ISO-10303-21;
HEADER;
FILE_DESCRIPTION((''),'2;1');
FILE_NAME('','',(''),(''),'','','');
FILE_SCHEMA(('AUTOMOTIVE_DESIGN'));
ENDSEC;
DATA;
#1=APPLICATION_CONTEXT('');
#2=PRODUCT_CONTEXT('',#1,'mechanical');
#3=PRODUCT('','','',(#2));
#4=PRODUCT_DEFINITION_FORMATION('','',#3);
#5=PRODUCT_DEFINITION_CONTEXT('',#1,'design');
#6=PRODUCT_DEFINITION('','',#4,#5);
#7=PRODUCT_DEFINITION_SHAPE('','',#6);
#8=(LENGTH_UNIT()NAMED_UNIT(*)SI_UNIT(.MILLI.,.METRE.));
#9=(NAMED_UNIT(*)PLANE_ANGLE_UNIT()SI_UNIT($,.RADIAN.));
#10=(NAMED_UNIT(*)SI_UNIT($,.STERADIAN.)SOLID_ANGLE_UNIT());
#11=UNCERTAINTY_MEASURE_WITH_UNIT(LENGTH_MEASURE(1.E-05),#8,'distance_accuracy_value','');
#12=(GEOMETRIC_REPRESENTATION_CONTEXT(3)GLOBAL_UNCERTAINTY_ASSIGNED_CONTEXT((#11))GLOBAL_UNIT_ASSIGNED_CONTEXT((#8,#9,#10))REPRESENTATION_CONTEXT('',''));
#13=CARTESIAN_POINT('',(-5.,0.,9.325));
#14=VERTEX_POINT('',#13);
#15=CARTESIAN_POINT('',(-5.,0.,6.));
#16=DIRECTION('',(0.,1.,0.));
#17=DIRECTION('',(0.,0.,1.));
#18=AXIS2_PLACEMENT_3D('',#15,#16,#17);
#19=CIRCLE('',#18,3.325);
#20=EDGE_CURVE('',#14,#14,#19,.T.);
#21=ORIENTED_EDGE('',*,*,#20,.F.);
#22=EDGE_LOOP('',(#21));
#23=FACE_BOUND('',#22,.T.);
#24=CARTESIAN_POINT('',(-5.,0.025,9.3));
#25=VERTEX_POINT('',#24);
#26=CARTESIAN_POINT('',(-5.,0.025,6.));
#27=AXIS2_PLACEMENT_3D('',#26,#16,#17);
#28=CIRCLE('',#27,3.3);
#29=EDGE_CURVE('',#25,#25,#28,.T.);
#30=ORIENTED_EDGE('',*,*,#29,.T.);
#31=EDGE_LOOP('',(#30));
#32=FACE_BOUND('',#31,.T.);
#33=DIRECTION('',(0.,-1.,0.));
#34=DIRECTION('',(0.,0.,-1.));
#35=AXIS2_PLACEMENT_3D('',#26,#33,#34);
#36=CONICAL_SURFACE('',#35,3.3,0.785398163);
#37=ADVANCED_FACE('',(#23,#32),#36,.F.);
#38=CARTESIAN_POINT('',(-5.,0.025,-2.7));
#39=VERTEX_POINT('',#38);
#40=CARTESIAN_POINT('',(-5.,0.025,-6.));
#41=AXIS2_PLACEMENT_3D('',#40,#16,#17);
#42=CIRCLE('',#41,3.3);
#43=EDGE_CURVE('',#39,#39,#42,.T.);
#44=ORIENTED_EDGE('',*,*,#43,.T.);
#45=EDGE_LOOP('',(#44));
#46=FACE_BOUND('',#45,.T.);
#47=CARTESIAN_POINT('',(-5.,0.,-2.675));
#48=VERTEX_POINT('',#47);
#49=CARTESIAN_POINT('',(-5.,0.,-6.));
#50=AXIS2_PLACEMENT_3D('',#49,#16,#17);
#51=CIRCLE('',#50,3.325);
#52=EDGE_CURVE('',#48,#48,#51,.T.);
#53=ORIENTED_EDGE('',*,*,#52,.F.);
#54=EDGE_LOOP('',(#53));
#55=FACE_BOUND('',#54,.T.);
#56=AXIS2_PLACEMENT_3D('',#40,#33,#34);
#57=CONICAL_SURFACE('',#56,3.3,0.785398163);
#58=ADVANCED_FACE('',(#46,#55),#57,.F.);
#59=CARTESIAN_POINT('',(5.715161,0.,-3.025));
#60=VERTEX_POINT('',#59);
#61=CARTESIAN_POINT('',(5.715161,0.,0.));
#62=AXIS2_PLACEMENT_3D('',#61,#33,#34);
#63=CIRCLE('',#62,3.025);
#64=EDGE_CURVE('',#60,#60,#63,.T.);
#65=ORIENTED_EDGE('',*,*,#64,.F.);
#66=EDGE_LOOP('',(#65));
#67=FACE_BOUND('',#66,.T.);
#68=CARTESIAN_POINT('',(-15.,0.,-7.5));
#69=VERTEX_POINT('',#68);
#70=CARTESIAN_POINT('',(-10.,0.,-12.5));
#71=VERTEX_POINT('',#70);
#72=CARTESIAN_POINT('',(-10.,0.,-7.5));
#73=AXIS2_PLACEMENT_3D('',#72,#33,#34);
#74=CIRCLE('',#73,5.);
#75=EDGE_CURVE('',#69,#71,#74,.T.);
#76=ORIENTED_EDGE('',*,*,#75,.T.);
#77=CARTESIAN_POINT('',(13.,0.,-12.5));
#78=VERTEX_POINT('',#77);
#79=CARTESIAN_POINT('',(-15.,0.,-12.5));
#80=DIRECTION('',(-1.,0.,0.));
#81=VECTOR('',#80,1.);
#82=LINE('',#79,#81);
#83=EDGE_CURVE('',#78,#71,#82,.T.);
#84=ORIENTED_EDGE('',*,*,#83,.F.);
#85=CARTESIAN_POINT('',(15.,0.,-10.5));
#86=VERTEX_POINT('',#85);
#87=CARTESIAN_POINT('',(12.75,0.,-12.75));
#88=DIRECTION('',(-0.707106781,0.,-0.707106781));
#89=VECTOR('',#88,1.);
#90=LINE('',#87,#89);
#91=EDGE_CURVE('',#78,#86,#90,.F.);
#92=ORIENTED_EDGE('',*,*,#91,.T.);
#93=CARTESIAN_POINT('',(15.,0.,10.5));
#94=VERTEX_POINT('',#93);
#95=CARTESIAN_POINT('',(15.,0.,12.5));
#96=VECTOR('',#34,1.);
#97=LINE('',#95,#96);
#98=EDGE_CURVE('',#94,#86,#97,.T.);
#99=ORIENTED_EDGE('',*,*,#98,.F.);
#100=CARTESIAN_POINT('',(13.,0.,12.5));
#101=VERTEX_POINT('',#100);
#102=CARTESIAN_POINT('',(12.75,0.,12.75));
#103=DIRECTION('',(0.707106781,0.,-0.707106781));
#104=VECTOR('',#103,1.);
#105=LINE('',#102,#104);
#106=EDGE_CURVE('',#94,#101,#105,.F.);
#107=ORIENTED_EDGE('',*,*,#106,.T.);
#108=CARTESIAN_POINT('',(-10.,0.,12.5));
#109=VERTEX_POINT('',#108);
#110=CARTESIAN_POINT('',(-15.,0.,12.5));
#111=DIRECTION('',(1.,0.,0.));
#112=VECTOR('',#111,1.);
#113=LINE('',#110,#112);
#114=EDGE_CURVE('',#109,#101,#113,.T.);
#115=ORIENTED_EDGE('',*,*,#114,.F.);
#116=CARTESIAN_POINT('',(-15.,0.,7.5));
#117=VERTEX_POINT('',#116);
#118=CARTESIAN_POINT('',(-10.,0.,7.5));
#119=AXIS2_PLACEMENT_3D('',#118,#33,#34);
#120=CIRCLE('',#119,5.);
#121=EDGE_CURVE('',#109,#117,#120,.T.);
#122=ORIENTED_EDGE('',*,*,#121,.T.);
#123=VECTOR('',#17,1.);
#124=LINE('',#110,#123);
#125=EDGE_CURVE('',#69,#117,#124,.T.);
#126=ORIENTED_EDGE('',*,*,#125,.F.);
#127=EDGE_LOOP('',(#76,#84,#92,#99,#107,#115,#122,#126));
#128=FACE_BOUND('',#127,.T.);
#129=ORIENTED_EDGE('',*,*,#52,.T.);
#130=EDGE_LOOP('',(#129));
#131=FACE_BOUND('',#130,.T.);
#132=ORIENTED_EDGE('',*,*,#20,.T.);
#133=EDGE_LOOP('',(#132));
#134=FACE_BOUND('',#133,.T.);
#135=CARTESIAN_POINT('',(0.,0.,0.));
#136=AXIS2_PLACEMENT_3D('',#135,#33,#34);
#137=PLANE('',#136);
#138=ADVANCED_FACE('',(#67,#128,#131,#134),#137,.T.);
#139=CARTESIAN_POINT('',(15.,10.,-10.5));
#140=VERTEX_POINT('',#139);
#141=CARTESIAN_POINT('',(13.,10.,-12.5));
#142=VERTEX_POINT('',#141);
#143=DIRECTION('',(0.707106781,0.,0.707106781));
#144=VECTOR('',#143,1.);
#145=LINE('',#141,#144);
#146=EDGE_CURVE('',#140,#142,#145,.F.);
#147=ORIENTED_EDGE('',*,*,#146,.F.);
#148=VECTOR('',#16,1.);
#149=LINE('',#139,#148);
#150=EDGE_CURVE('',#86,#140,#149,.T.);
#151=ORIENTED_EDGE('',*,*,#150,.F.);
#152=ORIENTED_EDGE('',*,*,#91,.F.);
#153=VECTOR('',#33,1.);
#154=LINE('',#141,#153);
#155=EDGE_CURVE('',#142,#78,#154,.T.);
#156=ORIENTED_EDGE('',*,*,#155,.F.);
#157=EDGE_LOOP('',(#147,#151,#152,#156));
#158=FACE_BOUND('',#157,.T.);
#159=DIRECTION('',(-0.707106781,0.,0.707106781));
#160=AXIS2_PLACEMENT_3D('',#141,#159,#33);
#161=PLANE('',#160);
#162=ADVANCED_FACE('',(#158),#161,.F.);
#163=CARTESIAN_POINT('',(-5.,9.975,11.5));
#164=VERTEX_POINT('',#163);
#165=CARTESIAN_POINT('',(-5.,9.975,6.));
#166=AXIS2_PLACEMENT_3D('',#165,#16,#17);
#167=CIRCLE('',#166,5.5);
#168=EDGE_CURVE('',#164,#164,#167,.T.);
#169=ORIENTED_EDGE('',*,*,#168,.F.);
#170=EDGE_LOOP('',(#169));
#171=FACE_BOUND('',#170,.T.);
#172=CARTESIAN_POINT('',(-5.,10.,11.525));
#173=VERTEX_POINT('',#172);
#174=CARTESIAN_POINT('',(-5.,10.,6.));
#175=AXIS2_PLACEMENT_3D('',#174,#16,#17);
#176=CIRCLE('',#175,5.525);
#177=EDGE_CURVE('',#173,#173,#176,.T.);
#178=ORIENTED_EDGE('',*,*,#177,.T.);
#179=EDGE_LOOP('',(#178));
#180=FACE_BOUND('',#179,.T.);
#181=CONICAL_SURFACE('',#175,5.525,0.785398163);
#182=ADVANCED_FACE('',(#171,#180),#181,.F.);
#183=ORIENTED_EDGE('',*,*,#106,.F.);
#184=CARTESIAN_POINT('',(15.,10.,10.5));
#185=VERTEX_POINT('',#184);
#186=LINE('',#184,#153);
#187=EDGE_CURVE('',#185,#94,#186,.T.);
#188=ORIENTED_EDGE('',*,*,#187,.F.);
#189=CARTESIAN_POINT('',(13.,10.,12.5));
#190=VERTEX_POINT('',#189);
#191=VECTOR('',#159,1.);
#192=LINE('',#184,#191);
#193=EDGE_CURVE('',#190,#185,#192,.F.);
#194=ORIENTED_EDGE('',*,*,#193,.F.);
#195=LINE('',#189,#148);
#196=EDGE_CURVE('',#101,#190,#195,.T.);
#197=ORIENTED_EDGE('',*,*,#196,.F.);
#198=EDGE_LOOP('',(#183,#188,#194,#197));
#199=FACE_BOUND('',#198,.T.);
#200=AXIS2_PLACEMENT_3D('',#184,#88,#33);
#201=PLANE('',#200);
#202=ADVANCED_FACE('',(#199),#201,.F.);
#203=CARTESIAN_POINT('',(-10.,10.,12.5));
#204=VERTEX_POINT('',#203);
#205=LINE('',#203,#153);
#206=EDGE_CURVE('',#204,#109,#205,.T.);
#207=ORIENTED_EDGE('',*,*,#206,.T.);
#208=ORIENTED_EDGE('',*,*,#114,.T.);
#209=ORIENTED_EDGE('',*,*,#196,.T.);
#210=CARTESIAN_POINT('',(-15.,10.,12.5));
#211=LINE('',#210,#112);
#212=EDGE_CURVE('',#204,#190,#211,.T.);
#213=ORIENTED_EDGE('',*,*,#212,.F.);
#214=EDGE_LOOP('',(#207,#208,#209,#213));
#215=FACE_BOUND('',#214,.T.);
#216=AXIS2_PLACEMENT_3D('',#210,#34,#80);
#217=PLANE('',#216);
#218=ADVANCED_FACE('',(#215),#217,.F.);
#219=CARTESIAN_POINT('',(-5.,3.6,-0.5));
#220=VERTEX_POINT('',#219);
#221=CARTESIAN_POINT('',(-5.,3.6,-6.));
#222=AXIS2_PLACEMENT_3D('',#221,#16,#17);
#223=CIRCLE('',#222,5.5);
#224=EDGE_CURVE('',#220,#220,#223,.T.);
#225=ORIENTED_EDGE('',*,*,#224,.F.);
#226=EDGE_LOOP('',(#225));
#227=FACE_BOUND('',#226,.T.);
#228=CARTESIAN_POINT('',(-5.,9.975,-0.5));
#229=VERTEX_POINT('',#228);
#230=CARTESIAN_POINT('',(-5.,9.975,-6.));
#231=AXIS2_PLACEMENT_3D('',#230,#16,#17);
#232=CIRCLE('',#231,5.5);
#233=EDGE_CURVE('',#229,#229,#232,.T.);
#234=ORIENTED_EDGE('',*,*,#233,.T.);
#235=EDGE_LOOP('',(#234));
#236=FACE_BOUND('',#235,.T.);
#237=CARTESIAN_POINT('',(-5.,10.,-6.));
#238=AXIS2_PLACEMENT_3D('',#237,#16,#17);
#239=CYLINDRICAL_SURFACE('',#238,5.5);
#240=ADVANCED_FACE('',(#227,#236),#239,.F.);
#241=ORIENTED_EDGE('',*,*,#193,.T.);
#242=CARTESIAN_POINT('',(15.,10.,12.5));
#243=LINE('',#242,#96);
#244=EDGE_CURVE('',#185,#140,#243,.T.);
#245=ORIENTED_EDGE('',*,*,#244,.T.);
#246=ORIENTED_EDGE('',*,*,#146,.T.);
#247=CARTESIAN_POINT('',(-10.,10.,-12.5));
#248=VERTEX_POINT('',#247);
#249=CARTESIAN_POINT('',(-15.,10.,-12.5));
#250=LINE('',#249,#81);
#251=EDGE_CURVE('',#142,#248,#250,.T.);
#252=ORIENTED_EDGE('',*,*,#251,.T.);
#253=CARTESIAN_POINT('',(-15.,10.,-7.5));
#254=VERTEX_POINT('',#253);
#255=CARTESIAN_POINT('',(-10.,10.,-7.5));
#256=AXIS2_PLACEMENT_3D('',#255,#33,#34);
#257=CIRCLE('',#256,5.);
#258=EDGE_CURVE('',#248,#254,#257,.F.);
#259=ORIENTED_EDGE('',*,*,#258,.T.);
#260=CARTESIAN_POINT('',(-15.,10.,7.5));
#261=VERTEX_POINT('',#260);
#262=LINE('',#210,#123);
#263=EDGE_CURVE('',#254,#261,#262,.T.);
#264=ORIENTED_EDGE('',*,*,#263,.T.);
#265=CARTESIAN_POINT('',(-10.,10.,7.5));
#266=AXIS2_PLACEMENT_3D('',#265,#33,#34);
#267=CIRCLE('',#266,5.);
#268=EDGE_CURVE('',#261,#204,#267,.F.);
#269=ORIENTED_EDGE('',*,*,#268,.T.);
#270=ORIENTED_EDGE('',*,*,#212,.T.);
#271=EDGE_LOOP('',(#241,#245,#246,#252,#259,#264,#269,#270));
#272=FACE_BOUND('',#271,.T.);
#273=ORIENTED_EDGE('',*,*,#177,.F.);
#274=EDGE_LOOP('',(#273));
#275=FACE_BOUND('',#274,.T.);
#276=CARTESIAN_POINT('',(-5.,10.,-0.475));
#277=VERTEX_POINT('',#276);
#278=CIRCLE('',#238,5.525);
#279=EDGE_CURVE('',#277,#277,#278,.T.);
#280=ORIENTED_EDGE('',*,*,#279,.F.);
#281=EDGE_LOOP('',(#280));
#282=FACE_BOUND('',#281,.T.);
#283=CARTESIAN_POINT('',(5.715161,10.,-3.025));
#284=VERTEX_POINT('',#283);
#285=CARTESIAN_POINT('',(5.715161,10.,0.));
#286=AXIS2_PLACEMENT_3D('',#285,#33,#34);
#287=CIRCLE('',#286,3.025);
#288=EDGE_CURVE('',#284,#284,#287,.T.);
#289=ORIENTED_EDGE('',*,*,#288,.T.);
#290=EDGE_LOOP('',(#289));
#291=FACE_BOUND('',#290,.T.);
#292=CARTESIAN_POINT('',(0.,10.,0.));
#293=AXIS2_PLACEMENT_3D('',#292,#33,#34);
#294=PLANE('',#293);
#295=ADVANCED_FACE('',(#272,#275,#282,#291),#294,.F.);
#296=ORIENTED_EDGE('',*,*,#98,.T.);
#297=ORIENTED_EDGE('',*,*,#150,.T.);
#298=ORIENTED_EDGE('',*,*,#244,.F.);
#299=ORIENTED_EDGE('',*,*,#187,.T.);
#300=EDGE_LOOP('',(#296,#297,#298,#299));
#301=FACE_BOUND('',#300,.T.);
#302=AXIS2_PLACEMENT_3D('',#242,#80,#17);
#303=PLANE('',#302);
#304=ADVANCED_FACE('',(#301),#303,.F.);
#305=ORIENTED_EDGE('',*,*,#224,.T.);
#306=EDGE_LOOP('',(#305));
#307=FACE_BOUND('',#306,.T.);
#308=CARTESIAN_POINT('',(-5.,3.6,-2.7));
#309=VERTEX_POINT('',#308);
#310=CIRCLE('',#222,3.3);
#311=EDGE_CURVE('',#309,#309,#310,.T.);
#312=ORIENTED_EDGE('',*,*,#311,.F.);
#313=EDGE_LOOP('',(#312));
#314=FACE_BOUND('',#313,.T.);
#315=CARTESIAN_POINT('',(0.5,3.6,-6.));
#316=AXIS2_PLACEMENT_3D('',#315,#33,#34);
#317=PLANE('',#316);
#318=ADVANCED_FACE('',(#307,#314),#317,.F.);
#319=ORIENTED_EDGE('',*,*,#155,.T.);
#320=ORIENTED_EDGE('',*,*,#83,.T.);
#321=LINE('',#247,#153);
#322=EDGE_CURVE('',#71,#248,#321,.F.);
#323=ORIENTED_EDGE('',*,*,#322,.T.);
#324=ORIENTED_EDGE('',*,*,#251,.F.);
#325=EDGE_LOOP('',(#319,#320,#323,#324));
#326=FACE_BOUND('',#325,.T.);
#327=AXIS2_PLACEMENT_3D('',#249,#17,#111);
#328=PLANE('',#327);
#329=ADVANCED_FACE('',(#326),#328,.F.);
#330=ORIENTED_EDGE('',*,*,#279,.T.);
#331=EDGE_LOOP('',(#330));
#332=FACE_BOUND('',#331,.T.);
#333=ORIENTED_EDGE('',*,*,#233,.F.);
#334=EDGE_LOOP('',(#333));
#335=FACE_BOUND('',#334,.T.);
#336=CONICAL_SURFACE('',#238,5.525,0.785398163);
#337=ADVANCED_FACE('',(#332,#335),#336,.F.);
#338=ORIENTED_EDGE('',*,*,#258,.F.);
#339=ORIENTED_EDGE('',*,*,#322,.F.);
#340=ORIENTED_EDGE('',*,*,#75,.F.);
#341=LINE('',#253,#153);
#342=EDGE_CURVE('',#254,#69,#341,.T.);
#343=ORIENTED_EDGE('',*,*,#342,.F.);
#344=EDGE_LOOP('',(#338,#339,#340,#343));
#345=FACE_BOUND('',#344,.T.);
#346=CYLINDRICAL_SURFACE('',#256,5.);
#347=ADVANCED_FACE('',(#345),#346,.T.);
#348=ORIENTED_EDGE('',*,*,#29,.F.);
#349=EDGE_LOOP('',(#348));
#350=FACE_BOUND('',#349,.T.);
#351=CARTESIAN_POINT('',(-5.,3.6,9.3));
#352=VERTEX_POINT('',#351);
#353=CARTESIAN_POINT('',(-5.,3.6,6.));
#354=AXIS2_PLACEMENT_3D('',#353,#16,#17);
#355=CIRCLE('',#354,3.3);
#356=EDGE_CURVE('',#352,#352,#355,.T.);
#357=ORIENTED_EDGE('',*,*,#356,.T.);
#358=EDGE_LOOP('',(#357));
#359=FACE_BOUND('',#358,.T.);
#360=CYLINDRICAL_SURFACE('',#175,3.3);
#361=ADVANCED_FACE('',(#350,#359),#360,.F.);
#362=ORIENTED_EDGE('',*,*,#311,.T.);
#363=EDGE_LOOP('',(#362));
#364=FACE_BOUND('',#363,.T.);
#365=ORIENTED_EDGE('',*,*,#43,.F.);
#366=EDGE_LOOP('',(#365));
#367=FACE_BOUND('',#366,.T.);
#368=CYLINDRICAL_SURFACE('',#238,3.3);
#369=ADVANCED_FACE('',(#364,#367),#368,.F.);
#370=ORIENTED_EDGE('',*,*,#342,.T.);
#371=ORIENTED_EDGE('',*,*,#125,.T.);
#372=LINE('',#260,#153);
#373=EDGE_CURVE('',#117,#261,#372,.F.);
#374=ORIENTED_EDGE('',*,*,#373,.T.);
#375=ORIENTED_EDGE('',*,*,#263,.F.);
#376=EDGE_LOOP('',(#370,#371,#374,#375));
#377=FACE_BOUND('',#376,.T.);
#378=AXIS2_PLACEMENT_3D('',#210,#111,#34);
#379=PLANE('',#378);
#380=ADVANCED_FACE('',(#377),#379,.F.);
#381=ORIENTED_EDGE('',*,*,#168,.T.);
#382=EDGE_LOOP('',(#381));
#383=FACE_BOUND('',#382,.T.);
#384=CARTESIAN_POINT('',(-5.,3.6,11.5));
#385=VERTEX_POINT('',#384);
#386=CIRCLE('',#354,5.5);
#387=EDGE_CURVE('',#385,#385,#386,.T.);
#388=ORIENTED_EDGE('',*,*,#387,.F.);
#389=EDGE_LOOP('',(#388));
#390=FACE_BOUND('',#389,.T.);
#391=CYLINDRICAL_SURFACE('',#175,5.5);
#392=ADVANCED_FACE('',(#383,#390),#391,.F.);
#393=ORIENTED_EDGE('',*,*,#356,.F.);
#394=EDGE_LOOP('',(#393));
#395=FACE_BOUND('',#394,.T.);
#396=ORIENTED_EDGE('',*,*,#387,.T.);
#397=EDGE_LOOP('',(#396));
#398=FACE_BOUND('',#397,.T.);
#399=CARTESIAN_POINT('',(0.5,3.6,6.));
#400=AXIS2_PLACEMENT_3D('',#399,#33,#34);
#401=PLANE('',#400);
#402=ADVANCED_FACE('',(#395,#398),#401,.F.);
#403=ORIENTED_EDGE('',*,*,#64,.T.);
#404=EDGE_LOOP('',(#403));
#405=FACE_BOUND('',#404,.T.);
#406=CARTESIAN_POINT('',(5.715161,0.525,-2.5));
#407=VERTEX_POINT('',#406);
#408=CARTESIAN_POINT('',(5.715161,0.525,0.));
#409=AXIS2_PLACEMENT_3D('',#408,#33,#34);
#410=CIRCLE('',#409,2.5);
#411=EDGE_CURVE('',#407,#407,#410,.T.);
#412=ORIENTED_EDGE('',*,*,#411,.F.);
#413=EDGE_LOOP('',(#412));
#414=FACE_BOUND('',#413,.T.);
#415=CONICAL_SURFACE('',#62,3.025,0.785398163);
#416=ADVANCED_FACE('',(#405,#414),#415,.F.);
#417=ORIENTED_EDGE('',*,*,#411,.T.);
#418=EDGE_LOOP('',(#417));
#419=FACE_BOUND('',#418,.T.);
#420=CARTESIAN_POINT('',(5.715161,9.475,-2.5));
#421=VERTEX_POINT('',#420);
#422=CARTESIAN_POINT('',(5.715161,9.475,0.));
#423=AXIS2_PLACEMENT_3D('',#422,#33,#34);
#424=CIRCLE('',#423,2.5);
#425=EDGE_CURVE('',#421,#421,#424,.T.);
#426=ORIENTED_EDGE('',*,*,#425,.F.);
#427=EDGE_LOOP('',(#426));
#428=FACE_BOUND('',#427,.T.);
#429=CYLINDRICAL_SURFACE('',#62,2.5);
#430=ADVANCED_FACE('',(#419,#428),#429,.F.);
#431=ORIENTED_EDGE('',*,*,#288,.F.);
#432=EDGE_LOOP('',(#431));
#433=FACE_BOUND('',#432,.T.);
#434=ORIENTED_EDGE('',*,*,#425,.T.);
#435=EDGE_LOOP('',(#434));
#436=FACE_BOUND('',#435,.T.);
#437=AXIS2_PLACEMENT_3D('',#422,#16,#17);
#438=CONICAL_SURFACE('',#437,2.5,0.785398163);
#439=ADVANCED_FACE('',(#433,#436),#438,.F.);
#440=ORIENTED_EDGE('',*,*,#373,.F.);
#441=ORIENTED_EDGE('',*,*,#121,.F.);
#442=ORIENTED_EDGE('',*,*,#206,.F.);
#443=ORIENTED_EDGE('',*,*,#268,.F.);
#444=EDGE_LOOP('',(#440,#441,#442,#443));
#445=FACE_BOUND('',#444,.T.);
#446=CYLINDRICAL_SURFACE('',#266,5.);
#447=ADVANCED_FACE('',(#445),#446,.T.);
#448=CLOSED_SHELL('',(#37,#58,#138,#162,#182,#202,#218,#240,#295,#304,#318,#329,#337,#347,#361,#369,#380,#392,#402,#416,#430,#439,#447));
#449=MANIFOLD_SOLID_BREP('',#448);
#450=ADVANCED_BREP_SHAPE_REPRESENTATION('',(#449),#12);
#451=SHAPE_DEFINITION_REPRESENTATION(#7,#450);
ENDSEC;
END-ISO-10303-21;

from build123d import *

# Parameters (mm, degrees)
SKETCH1_W                                    = 30
SKETCH1_H                                    = 25
BOSS_EXTRUDE1_DEPTH                          = 10
FILLET1_R                                    = 5
CBORE_FOR_M6_HEX_SOCKET_HEAD_CAP_SCR_2_COUNT = 2
CBORE_FOR_M6_HEX_SOCKET_HEAD_CAP_SCR_2_PITCH = 12
CHAMFER1_SIZE                                = 2


with BuildPart() as part:
    # Sketch1 → Boss-Extrude1 (new body)
    with BuildSketch(Plane(origin=(0, 0, 0), x_dir=(1, 0, 0), z_dir=(0, 1, 0))):
        Rectangle(SKETCH1_W, SKETCH1_H)
    extrude(amount=BOSS_EXTRUDE1_DEPTH)

    # Fillet1
    fillet1_edges = [part.edges().sort_by_distance(p)[0] for p in [
        (-15, 5, -12.5),
        (-15, 5, 12.5),
    ]]
    fillet(fillet1_edges, radius=FILLET1_R)

    # Sketch3 → CBORE for M6 Hex Socket Head Cap Screw1 (revolve, cut)
    with BuildSketch(Plane(origin=(-5, 10, -6), x_dir=(0, 0, 1), z_dir=(1, 0, 0))):
        Polygon((0, 0), (0, 10), (3.325, 10), (3.3, 9.975), (3.3, 6.4), (5.5, 6.4), (5.5, 0.025), (5.525, 0), align=None)
    cbore_for_m6_hex_socket_head_cap_screw1 = revolve(axis=Axis((-5, 16.35, -6), (0, -1, 0)), mode=Mode.SUBTRACT)

    # CBORE for M6 Hex Socket Head Cap Scr 2: CBORE for M6 Hex Socket Head Cap Screw1 ×2
    with Locations(*[(0, 0, i * CBORE_FOR_M6_HEX_SOCKET_HEAD_CAP_SCR_2_PITCH) for i in range(1, CBORE_FOR_M6_HEX_SOCKET_HEAD_CAP_SCR_2_COUNT)]):
        add(cbore_for_m6_hex_socket_head_cap_screw1, mode=Mode.SUBTRACT)

    # Sketch5 → M6 Tapped Hole1 (revolve, cut)
    with BuildSketch(Plane(origin=(5.715161352, 0, 0), x_dir=(0, 0, -1), z_dir=(1, 0, 0))):
        Polygon((0, 0), (0, 10), (3.025, 10), (2.5, 9.475), (2.5, 0.525), (3.025, 0), align=None)
    revolve(axis=Axis((5.715161352, -6.35, 0), (0, 1, 0)), mode=Mode.SUBTRACT)

    # Chamfer1
    chamfer1_edges = [part.edges().sort_by_distance(p)[0] for p in [
        (15, 5, -12.5),
        (15, 5, 12.5),
    ]]
    chamfer(chamfer1_edges, length=CHAMFER1_SIZE)


solid = part.part
